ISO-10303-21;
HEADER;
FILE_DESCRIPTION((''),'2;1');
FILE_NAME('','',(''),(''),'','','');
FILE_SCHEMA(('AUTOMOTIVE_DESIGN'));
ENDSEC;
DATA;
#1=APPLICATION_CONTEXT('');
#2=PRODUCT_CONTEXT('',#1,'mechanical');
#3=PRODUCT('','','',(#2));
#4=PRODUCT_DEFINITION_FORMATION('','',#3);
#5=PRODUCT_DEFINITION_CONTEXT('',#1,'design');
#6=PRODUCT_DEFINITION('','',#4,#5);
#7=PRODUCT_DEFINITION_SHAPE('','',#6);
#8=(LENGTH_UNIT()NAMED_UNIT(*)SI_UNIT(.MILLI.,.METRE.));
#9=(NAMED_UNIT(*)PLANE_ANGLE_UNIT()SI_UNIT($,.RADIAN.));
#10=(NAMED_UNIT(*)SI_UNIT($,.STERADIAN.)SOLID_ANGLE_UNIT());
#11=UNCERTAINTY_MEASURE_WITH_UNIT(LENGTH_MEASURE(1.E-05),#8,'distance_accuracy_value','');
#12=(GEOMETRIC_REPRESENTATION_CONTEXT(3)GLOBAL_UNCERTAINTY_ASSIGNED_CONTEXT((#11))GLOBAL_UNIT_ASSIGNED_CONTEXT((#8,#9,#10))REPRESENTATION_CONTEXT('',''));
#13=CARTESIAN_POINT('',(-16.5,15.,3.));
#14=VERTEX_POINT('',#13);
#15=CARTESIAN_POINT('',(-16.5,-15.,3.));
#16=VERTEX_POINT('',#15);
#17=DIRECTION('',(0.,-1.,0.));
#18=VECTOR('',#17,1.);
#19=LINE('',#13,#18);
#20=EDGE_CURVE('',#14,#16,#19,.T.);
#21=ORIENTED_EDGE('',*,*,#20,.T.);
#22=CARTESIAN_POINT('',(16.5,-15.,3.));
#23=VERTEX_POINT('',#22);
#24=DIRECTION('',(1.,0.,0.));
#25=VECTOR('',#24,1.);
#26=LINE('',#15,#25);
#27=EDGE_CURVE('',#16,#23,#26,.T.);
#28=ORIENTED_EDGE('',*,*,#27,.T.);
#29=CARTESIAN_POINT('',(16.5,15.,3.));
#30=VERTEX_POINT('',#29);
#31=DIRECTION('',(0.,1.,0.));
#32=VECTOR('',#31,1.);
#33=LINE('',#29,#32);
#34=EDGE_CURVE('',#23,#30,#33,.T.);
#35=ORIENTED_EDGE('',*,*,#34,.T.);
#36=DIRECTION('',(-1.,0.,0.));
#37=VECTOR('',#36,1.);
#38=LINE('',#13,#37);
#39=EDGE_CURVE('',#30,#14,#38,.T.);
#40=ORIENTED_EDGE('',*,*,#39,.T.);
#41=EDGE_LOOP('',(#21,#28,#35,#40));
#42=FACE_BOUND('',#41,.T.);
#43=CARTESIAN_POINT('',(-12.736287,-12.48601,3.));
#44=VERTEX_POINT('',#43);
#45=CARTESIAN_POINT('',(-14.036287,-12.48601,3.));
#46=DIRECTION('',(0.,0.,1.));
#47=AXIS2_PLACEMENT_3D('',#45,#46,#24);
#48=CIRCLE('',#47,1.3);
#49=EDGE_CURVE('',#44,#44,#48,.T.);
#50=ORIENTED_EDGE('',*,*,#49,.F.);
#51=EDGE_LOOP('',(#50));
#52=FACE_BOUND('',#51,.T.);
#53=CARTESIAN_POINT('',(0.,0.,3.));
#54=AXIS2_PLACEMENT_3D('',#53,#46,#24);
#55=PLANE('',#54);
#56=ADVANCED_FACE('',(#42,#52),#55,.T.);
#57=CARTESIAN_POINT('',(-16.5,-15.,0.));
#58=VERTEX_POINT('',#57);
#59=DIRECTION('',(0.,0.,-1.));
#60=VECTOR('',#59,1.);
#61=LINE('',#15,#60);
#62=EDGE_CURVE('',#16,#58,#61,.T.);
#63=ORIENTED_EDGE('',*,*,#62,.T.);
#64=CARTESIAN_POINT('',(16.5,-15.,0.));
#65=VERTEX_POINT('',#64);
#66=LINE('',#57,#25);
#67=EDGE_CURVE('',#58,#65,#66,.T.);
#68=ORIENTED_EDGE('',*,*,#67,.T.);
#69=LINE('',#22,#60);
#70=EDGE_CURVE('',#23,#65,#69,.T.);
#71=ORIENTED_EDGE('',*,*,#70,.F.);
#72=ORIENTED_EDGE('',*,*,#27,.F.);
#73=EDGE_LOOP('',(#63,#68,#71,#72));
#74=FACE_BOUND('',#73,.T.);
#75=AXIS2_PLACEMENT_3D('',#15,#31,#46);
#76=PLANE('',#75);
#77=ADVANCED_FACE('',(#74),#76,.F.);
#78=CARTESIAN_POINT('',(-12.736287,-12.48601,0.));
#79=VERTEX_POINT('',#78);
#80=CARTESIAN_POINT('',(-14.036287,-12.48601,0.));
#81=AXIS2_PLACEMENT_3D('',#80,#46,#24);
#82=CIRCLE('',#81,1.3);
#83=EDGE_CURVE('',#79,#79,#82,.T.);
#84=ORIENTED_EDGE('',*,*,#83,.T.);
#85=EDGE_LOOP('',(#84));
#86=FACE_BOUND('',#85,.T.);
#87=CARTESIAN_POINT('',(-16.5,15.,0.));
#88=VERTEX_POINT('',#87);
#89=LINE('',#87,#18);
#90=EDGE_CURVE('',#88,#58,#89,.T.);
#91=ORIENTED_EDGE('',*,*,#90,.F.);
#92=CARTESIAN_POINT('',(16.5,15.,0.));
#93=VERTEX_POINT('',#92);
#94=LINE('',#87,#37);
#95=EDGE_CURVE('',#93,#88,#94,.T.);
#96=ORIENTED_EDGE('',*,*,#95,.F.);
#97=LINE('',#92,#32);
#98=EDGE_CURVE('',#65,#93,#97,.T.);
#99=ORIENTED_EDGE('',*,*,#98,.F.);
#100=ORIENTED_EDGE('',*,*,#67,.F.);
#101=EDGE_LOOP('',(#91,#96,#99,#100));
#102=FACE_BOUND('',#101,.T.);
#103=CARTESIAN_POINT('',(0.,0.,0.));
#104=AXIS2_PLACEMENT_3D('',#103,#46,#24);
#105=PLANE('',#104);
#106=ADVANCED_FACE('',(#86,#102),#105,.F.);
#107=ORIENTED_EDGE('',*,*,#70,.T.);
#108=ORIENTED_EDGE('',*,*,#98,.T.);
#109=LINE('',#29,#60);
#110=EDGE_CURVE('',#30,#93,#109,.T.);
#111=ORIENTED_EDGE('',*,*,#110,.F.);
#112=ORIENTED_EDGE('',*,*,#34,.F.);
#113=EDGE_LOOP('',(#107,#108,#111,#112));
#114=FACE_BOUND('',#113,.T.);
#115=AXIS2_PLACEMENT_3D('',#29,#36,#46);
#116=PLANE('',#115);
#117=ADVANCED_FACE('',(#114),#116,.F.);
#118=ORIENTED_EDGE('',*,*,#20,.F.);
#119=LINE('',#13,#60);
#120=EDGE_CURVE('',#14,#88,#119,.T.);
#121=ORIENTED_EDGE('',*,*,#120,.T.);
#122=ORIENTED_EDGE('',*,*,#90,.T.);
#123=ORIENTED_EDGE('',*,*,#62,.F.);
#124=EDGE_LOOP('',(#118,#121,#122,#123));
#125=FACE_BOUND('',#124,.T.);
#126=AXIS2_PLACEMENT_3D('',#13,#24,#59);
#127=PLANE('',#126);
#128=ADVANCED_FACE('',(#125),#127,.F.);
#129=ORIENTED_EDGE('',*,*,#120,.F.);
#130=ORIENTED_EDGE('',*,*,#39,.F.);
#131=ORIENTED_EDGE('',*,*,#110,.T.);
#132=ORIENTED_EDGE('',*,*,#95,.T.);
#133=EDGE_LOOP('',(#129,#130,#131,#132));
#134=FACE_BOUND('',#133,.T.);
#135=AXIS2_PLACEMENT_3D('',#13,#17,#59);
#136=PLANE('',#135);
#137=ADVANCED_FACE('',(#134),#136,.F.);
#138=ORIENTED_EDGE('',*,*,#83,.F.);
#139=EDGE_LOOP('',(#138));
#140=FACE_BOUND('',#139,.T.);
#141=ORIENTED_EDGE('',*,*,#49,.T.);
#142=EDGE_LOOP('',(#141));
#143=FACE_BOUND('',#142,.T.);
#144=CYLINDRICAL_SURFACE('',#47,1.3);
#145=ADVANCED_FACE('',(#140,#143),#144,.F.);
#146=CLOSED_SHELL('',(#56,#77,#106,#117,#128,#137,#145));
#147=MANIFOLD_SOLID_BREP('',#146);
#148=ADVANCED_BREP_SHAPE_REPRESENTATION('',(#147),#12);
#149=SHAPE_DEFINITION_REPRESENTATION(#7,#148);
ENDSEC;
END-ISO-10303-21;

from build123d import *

# Parameters (mm, degrees)
ESQUISSE1_W            = 33
ESQUISSE1_H            = 30
BOSS_EXTRU_1_DEPTH     = 3
D_GAGEMENT_M1_61_D     = 2.6
D_GAGEMENT_M1_61_DEPTH = 50


with BuildPart() as part:
    # Esquisse1 → Boss.-Extru.1 (new body)
    with BuildSketch(Plane.XY):
        Rectangle(ESQUISSE1_W, ESQUISSE1_H)
    extrude(amount=BOSS_EXTRU_1_DEPTH)

    # Dégagement M1.61
    with Locations(Plane.XY.offset(3)):
        with Locations((-14.036286849, -12.486010391)):
            Hole(D_GAGEMENT_M1_61_D / 2, depth=D_GAGEMENT_M1_61_DEPTH)


solid = part.part
